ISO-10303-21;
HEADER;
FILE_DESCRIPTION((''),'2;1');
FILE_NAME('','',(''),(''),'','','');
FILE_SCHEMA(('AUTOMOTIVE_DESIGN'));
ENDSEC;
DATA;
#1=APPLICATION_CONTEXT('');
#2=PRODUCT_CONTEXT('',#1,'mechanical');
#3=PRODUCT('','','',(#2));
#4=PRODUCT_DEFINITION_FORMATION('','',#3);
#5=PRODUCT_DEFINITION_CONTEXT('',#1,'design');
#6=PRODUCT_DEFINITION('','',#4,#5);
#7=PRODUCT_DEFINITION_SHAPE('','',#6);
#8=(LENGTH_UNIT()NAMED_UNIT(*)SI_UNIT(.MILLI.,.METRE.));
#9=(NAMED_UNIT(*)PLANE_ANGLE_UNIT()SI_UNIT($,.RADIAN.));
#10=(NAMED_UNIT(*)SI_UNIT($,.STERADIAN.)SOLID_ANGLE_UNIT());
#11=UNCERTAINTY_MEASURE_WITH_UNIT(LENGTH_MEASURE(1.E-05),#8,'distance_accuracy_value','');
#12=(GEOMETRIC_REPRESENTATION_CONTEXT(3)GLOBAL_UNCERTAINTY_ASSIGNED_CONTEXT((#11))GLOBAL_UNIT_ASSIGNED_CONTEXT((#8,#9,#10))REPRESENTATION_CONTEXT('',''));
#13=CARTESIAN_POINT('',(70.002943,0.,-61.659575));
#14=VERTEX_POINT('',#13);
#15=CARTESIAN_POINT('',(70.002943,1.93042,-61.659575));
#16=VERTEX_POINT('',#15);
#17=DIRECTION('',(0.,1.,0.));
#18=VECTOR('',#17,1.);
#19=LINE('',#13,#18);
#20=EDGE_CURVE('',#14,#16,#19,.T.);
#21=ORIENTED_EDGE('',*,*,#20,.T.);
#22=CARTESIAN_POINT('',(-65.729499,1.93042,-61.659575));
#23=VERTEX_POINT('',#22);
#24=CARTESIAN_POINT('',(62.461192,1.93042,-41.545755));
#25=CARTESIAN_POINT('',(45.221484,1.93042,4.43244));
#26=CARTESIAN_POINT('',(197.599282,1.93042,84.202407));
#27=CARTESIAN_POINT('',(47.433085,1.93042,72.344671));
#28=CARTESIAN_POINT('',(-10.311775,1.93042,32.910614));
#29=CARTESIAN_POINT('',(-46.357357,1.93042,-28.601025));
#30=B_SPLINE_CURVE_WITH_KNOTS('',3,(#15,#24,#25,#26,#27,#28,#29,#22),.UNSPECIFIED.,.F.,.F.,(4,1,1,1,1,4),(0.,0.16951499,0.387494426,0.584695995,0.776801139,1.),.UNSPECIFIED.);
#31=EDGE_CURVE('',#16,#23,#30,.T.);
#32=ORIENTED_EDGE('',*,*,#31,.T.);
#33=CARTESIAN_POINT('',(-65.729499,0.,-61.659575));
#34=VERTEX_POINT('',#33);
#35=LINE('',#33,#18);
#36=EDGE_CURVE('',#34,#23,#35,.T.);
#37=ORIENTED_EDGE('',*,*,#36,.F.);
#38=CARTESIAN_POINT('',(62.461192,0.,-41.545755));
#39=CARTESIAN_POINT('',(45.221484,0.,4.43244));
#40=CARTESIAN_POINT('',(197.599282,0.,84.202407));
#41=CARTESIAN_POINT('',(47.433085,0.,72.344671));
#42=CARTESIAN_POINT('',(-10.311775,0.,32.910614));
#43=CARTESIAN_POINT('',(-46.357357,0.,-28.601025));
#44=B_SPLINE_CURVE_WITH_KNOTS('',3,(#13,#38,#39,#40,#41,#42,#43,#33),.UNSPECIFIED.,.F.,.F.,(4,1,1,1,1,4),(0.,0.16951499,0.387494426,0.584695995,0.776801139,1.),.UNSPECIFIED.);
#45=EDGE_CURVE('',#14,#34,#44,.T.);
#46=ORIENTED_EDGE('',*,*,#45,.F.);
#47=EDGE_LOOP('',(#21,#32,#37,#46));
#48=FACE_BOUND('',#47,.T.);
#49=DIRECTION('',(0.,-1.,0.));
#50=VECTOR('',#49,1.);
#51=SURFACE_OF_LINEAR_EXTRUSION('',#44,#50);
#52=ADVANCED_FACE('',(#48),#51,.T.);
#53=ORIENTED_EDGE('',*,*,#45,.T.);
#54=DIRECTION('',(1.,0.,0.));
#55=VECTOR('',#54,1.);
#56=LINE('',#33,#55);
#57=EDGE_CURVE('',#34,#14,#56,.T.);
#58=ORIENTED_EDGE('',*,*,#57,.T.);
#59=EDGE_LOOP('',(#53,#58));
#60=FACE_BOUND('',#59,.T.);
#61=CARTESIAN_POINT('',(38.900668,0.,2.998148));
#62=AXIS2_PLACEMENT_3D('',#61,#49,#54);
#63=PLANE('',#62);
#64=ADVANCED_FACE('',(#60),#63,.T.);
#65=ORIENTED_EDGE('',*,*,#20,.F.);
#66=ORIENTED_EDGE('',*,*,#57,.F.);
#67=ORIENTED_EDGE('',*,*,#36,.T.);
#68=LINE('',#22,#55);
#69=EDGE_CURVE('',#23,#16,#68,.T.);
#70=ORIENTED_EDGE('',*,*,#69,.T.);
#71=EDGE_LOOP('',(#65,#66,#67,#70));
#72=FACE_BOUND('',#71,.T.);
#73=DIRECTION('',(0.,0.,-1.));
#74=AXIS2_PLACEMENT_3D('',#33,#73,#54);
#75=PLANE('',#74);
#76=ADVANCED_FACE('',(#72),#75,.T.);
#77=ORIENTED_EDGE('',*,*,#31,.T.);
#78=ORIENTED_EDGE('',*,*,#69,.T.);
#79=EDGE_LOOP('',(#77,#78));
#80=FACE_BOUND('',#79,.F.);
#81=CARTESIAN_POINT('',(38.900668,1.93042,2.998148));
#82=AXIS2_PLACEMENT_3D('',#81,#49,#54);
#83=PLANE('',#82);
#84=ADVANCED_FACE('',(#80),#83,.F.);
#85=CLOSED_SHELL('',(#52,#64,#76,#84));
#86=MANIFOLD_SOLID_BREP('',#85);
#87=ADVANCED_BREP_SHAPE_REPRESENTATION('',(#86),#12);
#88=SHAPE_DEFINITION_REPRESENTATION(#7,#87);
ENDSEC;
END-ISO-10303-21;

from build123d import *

# Parameters (mm, degrees)
F1_DEPTH = 1.930420287


with BuildPart() as f1:
    # F0 (on Front) → F1 (new body)
    with BuildSketch(Plane.XZ):
        with BuildLine():
            add(Edge.make_bspline(
                [(70.0029432774, -61.6595745087), (62.4611919446, -41.5457554346), (45.2214843182, 4.4324399626), (197.5992821479, 84.2024066341), (47.4330849165, 72.344671026), (-10.3117754596, 32.910613568), (-46.3573567456, -28.6010252454), (-65.7294988632, -61.6595745087)],
                knots=[0, 0, 0, 0, 0.1695149905, 0.3874944259, 0.5846959952, 0.7768011387, 1, 1, 1, 1], degree=3))
            Line((-65.7294988632, -61.6595745087), (70.0029432774, -61.6595745087))
        make_face()
    extrude(amount=-F1_DEPTH)


solid = f1.part
